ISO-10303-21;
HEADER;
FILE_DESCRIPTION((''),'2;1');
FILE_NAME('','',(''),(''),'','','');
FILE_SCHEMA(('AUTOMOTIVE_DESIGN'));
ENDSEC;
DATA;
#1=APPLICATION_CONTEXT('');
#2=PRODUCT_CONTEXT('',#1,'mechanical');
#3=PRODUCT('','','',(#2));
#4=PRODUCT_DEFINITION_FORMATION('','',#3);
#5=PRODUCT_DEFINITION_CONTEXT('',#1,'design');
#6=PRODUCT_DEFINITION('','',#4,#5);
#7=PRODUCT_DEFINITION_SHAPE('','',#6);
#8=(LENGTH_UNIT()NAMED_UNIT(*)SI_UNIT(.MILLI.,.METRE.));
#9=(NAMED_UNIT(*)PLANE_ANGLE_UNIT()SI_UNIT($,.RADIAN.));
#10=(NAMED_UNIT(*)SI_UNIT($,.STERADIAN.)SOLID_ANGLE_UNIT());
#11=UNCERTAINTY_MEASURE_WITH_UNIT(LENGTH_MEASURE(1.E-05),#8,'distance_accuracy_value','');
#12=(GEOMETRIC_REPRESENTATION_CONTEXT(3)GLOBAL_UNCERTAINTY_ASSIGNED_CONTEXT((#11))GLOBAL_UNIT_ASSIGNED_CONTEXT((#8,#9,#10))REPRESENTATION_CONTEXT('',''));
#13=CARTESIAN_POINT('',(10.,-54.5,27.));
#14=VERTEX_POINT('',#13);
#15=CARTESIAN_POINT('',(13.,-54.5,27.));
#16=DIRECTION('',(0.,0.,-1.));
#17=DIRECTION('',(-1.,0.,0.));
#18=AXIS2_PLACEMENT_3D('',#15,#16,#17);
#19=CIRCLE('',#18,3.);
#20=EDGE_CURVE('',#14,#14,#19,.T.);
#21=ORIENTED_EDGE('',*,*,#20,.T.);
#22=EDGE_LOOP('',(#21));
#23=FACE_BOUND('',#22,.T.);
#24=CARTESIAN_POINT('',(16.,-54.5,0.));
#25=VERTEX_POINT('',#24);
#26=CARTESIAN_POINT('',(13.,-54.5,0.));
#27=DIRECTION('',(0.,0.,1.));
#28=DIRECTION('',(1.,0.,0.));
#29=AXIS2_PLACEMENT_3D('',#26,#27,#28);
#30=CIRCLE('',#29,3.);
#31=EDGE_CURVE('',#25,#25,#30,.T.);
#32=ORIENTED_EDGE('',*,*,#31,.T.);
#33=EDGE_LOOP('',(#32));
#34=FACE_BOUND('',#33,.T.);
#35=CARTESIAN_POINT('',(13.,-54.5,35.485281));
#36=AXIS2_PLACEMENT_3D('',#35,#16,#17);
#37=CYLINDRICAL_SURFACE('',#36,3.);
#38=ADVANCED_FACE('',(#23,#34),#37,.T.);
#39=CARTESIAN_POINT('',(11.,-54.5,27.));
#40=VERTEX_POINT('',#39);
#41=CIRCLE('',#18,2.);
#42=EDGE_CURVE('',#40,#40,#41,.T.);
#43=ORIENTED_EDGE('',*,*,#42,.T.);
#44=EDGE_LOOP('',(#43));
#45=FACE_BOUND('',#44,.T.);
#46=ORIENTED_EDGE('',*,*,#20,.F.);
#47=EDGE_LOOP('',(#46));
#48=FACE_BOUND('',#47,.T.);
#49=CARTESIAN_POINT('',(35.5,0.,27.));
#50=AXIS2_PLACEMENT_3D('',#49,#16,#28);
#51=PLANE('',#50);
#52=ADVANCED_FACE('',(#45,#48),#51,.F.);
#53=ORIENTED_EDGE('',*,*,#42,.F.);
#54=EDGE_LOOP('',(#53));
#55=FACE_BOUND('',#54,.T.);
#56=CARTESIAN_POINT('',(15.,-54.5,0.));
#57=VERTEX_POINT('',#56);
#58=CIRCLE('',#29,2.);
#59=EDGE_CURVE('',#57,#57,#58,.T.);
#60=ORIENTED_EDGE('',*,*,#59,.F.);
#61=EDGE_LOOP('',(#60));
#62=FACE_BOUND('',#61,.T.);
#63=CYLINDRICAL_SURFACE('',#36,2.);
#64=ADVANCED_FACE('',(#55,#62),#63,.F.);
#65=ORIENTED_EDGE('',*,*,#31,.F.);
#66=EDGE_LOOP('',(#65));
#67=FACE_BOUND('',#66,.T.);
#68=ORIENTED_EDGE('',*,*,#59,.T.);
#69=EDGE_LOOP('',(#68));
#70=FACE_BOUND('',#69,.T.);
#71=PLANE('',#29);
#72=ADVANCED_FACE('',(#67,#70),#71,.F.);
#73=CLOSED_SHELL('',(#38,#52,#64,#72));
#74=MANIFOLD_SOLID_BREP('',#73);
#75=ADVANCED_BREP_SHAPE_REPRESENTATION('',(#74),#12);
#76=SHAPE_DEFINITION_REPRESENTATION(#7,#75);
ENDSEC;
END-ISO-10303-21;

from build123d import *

# Parameters (mm, degrees)
SCHIZZO2_R                   = 3
SCHIZZO2_R_2                 = 2
ESTRUSIONE_ESTRUSIONE1_DEPTH = 27


with BuildPart() as part:
    # Schizzo2 → Estrusione-Estrusione1 (new body)
    with BuildSketch(Plane.XY):
        with Locations(Location((13, -54.5, 0), (0, 0, 180))):
            Circle(SCHIZZO2_R)
        with Locations(Location((13, -54.5, 0), (0, 0, 180))):
            Circle(SCHIZZO2_R_2, mode=Mode.SUBTRACT)
    extrude(amount=ESTRUSIONE_ESTRUSIONE1_DEPTH)


solid = part.part
